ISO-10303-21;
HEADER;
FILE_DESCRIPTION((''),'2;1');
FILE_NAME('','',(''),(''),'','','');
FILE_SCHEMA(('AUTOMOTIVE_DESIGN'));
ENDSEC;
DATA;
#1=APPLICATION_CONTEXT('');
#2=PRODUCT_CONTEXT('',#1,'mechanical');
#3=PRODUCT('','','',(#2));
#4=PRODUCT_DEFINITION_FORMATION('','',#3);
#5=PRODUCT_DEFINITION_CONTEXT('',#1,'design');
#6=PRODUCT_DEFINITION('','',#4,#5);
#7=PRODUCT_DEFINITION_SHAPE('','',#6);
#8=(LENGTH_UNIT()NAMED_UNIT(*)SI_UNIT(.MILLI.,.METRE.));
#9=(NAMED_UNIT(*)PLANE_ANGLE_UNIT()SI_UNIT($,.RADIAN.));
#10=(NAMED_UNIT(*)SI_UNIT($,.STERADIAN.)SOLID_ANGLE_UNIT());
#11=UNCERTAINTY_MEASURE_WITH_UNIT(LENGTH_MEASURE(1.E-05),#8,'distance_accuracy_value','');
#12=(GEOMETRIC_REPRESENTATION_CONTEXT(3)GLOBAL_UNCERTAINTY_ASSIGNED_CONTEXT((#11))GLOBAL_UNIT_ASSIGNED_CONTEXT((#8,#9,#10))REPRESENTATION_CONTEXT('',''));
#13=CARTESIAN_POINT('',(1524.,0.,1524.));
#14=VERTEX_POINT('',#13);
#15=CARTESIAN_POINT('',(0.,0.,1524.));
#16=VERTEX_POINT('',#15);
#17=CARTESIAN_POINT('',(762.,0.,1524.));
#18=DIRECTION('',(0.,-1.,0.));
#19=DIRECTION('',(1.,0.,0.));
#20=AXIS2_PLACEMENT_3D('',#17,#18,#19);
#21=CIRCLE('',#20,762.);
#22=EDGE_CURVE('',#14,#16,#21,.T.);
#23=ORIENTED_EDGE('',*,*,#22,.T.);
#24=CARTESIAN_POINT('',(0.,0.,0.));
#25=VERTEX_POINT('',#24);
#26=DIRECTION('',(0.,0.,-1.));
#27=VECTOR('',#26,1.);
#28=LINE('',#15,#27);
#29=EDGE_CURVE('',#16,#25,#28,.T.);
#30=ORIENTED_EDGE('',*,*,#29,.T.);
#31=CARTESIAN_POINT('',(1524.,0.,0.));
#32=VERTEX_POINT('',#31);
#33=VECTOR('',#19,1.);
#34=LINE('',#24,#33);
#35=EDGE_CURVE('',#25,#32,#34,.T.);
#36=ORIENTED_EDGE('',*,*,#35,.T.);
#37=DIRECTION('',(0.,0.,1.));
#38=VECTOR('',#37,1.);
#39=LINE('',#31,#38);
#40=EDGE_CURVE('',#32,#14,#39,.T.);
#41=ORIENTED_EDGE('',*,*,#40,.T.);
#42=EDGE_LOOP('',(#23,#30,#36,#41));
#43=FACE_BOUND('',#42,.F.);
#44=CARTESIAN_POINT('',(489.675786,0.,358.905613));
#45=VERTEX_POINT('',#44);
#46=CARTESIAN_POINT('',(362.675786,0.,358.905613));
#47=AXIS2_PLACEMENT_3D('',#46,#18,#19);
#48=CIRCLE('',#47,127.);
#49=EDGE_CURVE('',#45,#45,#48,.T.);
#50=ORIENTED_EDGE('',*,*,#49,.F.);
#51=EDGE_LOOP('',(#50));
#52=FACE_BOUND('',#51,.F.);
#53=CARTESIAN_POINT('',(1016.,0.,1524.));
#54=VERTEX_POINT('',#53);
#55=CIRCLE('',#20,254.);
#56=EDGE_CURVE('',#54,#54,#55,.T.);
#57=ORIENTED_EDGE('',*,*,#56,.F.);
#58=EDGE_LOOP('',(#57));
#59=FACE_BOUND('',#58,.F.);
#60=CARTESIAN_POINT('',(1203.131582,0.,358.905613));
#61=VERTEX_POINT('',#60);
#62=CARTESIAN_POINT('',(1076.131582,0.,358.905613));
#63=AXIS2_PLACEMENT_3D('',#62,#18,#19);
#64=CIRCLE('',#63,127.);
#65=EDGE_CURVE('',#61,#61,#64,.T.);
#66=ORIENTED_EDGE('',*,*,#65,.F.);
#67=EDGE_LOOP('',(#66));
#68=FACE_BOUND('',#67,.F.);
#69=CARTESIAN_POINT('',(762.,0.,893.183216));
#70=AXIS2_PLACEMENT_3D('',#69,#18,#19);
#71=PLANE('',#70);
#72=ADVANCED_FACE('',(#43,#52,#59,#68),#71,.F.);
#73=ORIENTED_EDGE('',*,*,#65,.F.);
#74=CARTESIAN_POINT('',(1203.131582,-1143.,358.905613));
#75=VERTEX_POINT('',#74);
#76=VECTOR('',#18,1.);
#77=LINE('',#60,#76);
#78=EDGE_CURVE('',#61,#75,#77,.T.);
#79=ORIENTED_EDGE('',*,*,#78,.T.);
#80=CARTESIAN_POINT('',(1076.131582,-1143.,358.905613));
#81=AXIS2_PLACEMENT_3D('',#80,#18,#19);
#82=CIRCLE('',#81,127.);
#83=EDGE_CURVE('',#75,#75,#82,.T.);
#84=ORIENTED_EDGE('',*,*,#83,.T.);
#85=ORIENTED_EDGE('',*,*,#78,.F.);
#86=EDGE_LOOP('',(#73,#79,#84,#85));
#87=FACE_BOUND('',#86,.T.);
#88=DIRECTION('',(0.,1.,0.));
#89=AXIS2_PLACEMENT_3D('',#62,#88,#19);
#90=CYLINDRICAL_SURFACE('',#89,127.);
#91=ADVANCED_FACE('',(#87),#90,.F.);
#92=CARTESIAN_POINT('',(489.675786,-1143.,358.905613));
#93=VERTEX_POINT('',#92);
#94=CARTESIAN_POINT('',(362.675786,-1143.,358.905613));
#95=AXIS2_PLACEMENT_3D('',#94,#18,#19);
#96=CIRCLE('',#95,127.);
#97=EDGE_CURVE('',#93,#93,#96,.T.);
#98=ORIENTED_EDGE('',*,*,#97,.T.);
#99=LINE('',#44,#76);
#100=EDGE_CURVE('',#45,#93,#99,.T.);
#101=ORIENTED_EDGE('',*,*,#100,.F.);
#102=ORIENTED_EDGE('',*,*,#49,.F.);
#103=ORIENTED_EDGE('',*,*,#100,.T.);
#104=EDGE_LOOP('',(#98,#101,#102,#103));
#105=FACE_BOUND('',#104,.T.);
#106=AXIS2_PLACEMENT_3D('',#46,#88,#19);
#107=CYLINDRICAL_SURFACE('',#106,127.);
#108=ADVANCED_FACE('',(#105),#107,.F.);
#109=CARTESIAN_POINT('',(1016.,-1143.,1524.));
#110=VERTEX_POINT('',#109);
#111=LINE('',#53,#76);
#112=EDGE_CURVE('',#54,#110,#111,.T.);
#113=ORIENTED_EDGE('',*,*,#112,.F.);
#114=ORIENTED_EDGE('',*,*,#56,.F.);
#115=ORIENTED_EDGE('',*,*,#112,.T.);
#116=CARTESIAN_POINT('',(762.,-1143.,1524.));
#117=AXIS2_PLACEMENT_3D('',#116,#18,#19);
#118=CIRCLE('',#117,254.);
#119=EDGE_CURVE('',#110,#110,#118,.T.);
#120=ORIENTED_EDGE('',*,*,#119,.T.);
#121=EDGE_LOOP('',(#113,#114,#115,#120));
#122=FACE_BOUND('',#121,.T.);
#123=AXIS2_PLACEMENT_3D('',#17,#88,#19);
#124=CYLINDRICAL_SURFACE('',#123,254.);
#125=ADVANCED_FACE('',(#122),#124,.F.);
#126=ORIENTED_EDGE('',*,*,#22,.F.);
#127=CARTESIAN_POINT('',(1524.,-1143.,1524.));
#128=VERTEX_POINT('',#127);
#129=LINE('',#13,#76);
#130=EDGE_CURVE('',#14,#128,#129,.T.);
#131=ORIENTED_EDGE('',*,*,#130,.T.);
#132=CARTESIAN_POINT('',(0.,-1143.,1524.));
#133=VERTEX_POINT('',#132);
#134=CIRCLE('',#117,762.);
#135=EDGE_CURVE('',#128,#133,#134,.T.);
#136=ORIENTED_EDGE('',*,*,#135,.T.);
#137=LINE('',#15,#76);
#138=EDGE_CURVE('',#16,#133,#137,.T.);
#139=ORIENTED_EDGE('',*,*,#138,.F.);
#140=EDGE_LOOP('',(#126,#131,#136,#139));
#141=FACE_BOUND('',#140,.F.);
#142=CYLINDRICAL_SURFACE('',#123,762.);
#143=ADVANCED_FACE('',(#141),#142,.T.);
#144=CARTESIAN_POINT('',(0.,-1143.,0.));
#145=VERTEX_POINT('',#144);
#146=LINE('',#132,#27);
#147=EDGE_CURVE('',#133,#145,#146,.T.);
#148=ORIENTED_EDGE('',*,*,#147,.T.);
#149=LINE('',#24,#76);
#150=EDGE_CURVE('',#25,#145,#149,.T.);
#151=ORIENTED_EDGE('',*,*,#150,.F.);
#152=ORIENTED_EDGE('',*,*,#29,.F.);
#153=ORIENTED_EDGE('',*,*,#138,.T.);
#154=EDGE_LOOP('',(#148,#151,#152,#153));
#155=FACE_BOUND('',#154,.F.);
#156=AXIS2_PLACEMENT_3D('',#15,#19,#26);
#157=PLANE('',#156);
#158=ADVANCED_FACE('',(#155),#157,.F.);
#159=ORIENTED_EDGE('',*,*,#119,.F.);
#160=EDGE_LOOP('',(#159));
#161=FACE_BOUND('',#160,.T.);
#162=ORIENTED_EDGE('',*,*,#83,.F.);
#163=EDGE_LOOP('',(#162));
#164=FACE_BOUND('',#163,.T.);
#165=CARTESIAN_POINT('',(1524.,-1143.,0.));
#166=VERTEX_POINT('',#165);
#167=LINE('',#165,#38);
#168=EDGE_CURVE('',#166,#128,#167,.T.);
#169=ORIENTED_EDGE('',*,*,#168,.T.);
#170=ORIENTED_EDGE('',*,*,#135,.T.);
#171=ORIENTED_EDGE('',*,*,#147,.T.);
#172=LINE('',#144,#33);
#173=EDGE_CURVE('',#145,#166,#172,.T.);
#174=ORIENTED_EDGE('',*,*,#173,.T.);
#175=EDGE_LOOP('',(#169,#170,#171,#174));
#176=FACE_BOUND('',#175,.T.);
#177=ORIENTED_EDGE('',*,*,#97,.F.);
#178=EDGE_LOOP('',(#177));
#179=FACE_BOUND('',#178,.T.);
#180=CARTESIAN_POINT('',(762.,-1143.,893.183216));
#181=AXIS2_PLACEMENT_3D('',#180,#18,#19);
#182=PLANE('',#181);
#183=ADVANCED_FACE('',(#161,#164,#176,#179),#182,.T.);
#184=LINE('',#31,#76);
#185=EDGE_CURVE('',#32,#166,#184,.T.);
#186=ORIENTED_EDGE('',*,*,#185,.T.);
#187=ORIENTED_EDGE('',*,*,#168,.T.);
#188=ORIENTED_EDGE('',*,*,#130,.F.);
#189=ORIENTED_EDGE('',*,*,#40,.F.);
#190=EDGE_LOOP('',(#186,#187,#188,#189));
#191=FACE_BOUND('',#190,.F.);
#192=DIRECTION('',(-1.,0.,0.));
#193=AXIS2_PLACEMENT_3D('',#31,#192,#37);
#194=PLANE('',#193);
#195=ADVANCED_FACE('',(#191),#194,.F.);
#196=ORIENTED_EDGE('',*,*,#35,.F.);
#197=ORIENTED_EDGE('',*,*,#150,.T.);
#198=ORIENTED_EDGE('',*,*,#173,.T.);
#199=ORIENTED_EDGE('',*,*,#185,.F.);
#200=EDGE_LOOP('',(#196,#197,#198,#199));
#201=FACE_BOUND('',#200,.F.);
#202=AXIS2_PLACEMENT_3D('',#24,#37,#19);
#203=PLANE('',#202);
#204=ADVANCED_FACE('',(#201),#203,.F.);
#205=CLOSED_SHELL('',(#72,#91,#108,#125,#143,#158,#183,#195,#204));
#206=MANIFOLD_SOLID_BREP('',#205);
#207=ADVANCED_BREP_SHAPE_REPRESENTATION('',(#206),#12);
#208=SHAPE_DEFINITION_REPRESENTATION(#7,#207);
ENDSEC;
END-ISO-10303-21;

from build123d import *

# Parameters (mm, degrees)
F0_R     = 127
F0_R_2   = 254
F0_W     = 127
F0_H     = 127
F1_DEPTH = 1143
F2_DEPTH = 635


with BuildPart() as f1:
    # F0 (on Front) → F1 (new body)
    with BuildSketch(Plane.XZ):
        with BuildLine():
            Line((127, 127), (127, 0))
            Line((127, 0), (1397, 0))
            Line((1397, 0), (1397, 127))
            Line((1397, 127), (1524, 127))
            Line((1524, 127), (1524, 1524))
            Line((1524, 1524), (1270, 1524))
            ThreePointArc((1270, 1524), (762, 2032), (254, 1524))
            Line((254, 1524), (0, 1524))
            Line((0, 1524), (0, 127))
            Line((0, 127), (127, 127))
        make_face()
        with Locations((362.675786, 358.905613)):
            Circle(F0_R, mode=Mode.SUBTRACT)
        with Locations((1076.131582, 358.905613)):
            Circle(F0_R, mode=Mode.SUBTRACT)
        with Locations((762, 1524)):
            Circle(F0_R_2, mode=Mode.SUBTRACT)
        with Locations((63.5, 63.5)):
            Rectangle(F0_W, F0_H)
        with Locations((1460.5, 63.5)):
            Rectangle(F0_W, F0_H)
        with BuildLine():
            ThreePointArc((1524, 1524), (762, 2286), (0, 1524))
            Line((0, 1524), (254, 1524))
            ThreePointArc((254, 1524), (762, 2032), (1270, 1524))
            Line((1270, 1524), (1524, 1524))
        make_face()
    extrude(amount=F1_DEPTH)

    # F0 (on Front) → F2 (cut)
    with BuildSketch(Plane.XZ):
        with Locations((1460.5, 63.5)):
            Rectangle(F0_W, F0_H)
        with Locations((63.5, 63.5)):
            Rectangle(F0_W, F0_H)
    extrude(amount=-F2_DEPTH, mode=Mode.SUBTRACT)


solid = f1.part
